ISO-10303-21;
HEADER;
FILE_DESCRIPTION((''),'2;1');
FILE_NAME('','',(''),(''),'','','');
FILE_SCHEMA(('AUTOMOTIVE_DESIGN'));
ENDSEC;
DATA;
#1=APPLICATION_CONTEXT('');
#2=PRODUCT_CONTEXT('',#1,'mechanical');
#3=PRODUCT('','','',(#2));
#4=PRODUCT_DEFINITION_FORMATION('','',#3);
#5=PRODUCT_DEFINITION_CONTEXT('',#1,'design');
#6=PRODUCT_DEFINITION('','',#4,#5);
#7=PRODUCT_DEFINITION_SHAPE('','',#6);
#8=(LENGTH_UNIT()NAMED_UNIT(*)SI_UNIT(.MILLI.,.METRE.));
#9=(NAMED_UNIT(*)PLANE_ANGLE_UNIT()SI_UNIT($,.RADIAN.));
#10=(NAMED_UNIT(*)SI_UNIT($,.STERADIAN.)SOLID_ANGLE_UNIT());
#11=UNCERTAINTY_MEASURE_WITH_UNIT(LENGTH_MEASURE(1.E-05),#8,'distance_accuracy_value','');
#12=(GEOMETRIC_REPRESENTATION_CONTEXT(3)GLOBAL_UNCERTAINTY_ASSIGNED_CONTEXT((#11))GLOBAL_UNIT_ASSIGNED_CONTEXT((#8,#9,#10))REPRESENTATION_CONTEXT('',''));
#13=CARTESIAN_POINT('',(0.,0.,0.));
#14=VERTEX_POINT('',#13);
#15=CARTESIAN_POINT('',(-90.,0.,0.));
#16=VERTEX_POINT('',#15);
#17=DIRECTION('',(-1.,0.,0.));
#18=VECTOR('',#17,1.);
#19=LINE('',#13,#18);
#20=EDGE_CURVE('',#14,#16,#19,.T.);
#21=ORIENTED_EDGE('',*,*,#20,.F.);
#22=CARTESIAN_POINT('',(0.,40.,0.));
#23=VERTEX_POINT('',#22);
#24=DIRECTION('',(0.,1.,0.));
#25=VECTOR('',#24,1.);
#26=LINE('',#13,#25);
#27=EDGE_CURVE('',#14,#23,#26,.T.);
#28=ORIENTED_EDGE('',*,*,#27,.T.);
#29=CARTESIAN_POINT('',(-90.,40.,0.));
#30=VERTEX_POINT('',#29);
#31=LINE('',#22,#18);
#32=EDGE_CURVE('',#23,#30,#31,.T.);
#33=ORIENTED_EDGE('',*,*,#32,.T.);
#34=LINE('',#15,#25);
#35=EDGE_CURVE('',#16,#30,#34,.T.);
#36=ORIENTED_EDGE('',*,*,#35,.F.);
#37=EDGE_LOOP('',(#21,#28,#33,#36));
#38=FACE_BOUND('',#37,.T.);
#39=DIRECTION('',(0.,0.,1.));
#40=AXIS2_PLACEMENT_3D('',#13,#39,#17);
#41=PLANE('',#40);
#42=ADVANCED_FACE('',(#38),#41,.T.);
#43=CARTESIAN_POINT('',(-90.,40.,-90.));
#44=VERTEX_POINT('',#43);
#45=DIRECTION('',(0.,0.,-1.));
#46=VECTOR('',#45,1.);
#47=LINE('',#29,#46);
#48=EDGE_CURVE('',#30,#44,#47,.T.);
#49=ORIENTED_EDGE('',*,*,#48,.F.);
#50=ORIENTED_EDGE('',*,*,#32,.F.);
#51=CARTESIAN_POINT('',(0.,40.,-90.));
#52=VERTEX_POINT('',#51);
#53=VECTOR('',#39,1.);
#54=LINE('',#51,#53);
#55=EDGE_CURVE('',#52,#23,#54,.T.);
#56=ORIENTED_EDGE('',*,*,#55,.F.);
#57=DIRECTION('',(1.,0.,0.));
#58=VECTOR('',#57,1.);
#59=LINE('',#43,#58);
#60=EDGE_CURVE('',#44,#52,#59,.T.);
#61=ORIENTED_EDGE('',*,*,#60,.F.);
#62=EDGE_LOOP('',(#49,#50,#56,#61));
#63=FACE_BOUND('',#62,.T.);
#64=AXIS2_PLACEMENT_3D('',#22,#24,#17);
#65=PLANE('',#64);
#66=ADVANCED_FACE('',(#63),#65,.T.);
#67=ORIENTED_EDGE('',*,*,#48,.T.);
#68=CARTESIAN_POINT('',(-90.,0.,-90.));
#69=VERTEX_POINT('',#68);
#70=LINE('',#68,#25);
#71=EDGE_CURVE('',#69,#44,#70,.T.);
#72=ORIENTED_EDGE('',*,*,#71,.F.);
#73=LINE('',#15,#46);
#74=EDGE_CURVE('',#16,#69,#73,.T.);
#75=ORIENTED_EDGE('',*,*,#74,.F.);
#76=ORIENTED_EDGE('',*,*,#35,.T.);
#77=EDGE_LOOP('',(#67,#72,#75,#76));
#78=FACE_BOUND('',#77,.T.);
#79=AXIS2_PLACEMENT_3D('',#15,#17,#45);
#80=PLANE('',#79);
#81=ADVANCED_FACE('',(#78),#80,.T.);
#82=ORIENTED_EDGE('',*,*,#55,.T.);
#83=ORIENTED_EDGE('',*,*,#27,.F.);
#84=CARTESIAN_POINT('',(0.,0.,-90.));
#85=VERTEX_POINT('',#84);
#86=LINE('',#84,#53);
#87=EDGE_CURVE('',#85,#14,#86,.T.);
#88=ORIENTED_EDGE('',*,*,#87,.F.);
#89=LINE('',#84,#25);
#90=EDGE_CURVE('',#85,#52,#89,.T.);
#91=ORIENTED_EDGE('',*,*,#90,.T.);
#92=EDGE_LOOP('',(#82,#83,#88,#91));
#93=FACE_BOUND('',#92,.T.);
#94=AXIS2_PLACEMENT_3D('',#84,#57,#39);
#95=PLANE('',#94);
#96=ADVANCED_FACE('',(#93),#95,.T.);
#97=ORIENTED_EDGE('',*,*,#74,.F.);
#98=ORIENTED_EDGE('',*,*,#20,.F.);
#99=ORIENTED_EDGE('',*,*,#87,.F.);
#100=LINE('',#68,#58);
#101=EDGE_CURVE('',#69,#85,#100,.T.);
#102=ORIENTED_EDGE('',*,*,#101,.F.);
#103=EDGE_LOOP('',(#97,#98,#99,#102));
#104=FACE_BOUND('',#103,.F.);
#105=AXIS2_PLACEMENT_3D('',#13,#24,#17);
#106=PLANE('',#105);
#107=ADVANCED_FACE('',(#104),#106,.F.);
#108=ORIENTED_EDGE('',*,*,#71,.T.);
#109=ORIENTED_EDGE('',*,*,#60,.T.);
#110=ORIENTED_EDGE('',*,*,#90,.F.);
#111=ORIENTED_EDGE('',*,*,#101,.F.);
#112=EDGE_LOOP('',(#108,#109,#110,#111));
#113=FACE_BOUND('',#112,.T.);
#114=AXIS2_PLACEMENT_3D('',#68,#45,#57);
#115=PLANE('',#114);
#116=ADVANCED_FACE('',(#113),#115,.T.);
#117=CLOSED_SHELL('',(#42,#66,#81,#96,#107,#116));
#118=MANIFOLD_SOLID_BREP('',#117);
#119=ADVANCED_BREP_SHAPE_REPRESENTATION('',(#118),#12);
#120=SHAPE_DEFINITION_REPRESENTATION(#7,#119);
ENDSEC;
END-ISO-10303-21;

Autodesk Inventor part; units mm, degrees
ref_plane "XZ Plane" through (0, 0, 0) normal (0, 1, 0) x (-1, 0, 0)
ref_plane "XY Plane" through (0, 0, 0) normal (0, 0, 1) x (1, 0, 0)
sketch "Sketch1" plane through (0, 0, 0) normal (0, 1, 0) x (-1, 0, 0)
  line L0 (0, 0) -> (90, 0)
  line L1 (90, 0) -> (90, -90)
  line L2 (90, -90) -> (0, -90)
  line L3 (0, -90) -> (0, 0)
  dimension "d0" = 90
  dimension "d1" = 90
extrude "Extrusion1" add sketch "Sketch1" along normal blind 40
ref_plane "Work Plane1" through (45, 0, 0) normal (1, 0, 0) x (0, 0, -1)
ref_plane "Work Plane2" through (-45, 0, 0) normal (1, 0, 0) x (0, 1, 0)
sketch "Sketch2" plane through (45, 0, 0) normal (1, 0, 0) x (0, 0, -1)
  point P0 (0, 0)
properties part number "abb"
